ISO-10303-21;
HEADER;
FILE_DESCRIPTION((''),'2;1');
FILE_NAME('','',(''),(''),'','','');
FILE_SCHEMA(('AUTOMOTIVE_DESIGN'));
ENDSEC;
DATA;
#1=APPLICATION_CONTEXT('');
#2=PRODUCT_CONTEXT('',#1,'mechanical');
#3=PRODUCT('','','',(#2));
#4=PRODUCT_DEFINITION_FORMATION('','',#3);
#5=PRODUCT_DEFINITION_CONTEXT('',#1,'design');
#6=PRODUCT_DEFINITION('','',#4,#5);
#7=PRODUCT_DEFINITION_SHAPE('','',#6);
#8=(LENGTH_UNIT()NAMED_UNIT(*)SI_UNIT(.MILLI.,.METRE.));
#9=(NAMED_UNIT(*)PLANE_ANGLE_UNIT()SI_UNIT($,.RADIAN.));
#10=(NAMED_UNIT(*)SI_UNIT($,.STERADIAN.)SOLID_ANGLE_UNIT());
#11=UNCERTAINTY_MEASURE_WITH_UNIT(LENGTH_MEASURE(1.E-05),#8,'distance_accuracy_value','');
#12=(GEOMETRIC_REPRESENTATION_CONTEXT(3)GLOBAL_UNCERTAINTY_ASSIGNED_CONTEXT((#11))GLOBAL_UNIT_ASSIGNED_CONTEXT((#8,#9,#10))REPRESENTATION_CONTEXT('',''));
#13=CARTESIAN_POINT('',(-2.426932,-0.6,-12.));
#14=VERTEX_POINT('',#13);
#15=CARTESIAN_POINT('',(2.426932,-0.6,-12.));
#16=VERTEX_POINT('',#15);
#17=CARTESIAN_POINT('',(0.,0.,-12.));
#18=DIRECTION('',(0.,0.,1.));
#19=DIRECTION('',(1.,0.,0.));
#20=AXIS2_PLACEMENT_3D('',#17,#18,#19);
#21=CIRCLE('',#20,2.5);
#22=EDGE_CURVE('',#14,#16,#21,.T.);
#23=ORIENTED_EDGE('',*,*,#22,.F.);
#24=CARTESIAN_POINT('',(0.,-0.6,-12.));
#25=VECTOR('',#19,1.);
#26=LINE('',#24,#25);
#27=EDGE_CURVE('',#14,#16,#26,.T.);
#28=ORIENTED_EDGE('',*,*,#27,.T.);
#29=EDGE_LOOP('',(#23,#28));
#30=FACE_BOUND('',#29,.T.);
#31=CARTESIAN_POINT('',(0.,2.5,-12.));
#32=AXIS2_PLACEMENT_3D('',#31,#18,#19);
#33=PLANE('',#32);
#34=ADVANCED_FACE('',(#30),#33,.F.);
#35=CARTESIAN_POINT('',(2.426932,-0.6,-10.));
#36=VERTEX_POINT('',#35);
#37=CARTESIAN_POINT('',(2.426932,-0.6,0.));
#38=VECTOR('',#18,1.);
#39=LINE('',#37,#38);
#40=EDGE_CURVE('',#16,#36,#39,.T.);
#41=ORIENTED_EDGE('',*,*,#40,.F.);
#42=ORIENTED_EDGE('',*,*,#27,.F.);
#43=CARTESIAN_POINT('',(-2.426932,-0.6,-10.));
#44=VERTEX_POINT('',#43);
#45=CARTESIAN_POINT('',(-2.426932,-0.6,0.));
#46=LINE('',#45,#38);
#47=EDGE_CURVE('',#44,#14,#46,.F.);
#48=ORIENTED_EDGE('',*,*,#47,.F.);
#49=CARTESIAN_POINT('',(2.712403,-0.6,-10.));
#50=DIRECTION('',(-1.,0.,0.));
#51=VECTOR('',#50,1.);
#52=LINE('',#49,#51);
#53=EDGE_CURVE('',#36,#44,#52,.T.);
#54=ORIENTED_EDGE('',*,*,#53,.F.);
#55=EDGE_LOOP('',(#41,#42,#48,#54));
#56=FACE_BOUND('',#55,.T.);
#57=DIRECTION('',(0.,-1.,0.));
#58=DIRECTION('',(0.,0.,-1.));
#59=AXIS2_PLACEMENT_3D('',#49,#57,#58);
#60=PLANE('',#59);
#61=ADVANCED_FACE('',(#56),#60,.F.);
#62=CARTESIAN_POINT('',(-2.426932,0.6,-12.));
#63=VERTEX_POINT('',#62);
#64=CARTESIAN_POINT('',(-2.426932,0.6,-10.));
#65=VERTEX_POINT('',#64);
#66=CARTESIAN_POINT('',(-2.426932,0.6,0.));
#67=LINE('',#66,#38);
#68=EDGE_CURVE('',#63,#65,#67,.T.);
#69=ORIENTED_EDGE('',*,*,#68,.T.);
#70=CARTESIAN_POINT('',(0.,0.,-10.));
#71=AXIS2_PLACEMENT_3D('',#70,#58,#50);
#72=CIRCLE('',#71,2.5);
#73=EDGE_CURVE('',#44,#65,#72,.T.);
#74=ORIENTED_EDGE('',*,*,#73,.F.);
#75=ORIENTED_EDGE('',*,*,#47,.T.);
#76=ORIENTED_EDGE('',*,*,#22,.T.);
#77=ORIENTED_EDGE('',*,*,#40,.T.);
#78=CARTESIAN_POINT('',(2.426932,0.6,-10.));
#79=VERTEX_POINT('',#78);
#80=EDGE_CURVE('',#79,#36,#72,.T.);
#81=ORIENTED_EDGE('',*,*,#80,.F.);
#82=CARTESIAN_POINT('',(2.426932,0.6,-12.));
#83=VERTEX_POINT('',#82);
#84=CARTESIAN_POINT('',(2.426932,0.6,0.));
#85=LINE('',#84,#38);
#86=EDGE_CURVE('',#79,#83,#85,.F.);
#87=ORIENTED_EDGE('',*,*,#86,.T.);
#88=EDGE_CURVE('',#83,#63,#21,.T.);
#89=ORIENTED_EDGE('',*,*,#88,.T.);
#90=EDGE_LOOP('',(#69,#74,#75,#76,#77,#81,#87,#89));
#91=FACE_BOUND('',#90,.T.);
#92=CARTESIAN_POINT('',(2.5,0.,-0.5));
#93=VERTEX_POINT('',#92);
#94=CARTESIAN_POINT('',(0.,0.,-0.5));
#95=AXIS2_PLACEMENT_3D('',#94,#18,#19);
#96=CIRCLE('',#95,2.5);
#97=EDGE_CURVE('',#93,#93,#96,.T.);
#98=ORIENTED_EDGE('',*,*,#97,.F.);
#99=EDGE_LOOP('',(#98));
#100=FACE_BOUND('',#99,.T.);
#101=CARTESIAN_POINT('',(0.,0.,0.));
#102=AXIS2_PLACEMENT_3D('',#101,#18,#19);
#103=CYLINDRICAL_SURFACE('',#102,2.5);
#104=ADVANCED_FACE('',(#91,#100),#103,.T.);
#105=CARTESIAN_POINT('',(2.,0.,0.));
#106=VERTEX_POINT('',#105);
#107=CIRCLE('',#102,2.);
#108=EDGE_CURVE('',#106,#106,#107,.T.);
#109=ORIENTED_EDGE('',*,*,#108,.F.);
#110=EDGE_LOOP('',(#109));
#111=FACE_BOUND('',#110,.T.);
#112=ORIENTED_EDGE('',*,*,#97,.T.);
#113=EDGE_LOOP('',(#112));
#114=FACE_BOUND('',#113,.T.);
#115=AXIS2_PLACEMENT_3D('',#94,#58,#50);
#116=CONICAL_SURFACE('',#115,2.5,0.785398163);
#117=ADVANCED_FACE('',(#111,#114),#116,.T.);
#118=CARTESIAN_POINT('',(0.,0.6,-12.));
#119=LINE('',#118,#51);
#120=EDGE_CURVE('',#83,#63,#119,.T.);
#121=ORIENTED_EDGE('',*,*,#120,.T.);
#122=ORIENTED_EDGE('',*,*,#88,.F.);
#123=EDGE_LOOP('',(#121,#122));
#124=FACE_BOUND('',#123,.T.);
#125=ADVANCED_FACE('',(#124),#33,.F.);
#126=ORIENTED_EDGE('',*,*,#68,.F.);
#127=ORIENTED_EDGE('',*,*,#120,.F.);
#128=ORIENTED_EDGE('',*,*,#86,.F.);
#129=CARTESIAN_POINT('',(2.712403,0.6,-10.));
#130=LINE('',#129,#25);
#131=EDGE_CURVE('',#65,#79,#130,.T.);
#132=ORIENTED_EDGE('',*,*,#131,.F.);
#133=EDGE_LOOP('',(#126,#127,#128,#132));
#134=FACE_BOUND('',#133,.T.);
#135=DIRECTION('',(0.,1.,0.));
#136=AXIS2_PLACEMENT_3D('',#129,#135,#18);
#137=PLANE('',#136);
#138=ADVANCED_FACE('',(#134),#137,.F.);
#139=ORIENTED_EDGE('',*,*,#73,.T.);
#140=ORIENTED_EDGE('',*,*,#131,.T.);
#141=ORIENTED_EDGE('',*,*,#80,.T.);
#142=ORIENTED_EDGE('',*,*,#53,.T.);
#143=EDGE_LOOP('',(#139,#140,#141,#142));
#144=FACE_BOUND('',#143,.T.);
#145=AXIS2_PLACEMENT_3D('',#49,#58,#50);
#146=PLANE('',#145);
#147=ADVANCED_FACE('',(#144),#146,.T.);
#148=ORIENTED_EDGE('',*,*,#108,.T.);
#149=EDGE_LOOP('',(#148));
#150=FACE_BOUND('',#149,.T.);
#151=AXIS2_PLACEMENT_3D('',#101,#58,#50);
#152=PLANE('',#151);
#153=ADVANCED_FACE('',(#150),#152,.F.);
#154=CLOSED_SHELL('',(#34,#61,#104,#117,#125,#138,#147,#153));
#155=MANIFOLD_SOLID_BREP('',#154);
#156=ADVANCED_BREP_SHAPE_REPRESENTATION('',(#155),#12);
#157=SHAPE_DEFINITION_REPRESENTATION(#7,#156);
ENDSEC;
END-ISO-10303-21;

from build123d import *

# Parameters (mm, degrees)
SKETCH2_W          = 5.424806346
SKETCH2_H          = 1.2
CUT_EXTRUDE1_DEPTH = 2


with BuildPart() as part:
    # Sketch1 → Revolve1 (revolve)
    with BuildSketch(Plane(origin=(0, 0, 0), x_dir=(0, 0, -1), z_dir=(1, 0, 0)), mode=Mode.PRIVATE) as revolve1_sk:
        Polygon((0, 0), (0, 2), (0.5, 2.5), (12, 2.5), (12, 0), align=None)
    revolve(revolve1_sk.sketch.rotate(Axis((0, 0, 0), (0, 0, -1)), 90), axis=Axis((0, 0, 0), (0, 0, -1)))

    # Sketch2 → Cut-Extrude1 (cut)
    with BuildSketch(Plane(origin=(0, 0, -12), x_dir=(-1, 0, 0), z_dir=(0, 0, -1))):
        Rectangle(SKETCH2_W, SKETCH2_H)
    extrude(amount=-CUT_EXTRUDE1_DEPTH, mode=Mode.SUBTRACT)


solid = part.part
